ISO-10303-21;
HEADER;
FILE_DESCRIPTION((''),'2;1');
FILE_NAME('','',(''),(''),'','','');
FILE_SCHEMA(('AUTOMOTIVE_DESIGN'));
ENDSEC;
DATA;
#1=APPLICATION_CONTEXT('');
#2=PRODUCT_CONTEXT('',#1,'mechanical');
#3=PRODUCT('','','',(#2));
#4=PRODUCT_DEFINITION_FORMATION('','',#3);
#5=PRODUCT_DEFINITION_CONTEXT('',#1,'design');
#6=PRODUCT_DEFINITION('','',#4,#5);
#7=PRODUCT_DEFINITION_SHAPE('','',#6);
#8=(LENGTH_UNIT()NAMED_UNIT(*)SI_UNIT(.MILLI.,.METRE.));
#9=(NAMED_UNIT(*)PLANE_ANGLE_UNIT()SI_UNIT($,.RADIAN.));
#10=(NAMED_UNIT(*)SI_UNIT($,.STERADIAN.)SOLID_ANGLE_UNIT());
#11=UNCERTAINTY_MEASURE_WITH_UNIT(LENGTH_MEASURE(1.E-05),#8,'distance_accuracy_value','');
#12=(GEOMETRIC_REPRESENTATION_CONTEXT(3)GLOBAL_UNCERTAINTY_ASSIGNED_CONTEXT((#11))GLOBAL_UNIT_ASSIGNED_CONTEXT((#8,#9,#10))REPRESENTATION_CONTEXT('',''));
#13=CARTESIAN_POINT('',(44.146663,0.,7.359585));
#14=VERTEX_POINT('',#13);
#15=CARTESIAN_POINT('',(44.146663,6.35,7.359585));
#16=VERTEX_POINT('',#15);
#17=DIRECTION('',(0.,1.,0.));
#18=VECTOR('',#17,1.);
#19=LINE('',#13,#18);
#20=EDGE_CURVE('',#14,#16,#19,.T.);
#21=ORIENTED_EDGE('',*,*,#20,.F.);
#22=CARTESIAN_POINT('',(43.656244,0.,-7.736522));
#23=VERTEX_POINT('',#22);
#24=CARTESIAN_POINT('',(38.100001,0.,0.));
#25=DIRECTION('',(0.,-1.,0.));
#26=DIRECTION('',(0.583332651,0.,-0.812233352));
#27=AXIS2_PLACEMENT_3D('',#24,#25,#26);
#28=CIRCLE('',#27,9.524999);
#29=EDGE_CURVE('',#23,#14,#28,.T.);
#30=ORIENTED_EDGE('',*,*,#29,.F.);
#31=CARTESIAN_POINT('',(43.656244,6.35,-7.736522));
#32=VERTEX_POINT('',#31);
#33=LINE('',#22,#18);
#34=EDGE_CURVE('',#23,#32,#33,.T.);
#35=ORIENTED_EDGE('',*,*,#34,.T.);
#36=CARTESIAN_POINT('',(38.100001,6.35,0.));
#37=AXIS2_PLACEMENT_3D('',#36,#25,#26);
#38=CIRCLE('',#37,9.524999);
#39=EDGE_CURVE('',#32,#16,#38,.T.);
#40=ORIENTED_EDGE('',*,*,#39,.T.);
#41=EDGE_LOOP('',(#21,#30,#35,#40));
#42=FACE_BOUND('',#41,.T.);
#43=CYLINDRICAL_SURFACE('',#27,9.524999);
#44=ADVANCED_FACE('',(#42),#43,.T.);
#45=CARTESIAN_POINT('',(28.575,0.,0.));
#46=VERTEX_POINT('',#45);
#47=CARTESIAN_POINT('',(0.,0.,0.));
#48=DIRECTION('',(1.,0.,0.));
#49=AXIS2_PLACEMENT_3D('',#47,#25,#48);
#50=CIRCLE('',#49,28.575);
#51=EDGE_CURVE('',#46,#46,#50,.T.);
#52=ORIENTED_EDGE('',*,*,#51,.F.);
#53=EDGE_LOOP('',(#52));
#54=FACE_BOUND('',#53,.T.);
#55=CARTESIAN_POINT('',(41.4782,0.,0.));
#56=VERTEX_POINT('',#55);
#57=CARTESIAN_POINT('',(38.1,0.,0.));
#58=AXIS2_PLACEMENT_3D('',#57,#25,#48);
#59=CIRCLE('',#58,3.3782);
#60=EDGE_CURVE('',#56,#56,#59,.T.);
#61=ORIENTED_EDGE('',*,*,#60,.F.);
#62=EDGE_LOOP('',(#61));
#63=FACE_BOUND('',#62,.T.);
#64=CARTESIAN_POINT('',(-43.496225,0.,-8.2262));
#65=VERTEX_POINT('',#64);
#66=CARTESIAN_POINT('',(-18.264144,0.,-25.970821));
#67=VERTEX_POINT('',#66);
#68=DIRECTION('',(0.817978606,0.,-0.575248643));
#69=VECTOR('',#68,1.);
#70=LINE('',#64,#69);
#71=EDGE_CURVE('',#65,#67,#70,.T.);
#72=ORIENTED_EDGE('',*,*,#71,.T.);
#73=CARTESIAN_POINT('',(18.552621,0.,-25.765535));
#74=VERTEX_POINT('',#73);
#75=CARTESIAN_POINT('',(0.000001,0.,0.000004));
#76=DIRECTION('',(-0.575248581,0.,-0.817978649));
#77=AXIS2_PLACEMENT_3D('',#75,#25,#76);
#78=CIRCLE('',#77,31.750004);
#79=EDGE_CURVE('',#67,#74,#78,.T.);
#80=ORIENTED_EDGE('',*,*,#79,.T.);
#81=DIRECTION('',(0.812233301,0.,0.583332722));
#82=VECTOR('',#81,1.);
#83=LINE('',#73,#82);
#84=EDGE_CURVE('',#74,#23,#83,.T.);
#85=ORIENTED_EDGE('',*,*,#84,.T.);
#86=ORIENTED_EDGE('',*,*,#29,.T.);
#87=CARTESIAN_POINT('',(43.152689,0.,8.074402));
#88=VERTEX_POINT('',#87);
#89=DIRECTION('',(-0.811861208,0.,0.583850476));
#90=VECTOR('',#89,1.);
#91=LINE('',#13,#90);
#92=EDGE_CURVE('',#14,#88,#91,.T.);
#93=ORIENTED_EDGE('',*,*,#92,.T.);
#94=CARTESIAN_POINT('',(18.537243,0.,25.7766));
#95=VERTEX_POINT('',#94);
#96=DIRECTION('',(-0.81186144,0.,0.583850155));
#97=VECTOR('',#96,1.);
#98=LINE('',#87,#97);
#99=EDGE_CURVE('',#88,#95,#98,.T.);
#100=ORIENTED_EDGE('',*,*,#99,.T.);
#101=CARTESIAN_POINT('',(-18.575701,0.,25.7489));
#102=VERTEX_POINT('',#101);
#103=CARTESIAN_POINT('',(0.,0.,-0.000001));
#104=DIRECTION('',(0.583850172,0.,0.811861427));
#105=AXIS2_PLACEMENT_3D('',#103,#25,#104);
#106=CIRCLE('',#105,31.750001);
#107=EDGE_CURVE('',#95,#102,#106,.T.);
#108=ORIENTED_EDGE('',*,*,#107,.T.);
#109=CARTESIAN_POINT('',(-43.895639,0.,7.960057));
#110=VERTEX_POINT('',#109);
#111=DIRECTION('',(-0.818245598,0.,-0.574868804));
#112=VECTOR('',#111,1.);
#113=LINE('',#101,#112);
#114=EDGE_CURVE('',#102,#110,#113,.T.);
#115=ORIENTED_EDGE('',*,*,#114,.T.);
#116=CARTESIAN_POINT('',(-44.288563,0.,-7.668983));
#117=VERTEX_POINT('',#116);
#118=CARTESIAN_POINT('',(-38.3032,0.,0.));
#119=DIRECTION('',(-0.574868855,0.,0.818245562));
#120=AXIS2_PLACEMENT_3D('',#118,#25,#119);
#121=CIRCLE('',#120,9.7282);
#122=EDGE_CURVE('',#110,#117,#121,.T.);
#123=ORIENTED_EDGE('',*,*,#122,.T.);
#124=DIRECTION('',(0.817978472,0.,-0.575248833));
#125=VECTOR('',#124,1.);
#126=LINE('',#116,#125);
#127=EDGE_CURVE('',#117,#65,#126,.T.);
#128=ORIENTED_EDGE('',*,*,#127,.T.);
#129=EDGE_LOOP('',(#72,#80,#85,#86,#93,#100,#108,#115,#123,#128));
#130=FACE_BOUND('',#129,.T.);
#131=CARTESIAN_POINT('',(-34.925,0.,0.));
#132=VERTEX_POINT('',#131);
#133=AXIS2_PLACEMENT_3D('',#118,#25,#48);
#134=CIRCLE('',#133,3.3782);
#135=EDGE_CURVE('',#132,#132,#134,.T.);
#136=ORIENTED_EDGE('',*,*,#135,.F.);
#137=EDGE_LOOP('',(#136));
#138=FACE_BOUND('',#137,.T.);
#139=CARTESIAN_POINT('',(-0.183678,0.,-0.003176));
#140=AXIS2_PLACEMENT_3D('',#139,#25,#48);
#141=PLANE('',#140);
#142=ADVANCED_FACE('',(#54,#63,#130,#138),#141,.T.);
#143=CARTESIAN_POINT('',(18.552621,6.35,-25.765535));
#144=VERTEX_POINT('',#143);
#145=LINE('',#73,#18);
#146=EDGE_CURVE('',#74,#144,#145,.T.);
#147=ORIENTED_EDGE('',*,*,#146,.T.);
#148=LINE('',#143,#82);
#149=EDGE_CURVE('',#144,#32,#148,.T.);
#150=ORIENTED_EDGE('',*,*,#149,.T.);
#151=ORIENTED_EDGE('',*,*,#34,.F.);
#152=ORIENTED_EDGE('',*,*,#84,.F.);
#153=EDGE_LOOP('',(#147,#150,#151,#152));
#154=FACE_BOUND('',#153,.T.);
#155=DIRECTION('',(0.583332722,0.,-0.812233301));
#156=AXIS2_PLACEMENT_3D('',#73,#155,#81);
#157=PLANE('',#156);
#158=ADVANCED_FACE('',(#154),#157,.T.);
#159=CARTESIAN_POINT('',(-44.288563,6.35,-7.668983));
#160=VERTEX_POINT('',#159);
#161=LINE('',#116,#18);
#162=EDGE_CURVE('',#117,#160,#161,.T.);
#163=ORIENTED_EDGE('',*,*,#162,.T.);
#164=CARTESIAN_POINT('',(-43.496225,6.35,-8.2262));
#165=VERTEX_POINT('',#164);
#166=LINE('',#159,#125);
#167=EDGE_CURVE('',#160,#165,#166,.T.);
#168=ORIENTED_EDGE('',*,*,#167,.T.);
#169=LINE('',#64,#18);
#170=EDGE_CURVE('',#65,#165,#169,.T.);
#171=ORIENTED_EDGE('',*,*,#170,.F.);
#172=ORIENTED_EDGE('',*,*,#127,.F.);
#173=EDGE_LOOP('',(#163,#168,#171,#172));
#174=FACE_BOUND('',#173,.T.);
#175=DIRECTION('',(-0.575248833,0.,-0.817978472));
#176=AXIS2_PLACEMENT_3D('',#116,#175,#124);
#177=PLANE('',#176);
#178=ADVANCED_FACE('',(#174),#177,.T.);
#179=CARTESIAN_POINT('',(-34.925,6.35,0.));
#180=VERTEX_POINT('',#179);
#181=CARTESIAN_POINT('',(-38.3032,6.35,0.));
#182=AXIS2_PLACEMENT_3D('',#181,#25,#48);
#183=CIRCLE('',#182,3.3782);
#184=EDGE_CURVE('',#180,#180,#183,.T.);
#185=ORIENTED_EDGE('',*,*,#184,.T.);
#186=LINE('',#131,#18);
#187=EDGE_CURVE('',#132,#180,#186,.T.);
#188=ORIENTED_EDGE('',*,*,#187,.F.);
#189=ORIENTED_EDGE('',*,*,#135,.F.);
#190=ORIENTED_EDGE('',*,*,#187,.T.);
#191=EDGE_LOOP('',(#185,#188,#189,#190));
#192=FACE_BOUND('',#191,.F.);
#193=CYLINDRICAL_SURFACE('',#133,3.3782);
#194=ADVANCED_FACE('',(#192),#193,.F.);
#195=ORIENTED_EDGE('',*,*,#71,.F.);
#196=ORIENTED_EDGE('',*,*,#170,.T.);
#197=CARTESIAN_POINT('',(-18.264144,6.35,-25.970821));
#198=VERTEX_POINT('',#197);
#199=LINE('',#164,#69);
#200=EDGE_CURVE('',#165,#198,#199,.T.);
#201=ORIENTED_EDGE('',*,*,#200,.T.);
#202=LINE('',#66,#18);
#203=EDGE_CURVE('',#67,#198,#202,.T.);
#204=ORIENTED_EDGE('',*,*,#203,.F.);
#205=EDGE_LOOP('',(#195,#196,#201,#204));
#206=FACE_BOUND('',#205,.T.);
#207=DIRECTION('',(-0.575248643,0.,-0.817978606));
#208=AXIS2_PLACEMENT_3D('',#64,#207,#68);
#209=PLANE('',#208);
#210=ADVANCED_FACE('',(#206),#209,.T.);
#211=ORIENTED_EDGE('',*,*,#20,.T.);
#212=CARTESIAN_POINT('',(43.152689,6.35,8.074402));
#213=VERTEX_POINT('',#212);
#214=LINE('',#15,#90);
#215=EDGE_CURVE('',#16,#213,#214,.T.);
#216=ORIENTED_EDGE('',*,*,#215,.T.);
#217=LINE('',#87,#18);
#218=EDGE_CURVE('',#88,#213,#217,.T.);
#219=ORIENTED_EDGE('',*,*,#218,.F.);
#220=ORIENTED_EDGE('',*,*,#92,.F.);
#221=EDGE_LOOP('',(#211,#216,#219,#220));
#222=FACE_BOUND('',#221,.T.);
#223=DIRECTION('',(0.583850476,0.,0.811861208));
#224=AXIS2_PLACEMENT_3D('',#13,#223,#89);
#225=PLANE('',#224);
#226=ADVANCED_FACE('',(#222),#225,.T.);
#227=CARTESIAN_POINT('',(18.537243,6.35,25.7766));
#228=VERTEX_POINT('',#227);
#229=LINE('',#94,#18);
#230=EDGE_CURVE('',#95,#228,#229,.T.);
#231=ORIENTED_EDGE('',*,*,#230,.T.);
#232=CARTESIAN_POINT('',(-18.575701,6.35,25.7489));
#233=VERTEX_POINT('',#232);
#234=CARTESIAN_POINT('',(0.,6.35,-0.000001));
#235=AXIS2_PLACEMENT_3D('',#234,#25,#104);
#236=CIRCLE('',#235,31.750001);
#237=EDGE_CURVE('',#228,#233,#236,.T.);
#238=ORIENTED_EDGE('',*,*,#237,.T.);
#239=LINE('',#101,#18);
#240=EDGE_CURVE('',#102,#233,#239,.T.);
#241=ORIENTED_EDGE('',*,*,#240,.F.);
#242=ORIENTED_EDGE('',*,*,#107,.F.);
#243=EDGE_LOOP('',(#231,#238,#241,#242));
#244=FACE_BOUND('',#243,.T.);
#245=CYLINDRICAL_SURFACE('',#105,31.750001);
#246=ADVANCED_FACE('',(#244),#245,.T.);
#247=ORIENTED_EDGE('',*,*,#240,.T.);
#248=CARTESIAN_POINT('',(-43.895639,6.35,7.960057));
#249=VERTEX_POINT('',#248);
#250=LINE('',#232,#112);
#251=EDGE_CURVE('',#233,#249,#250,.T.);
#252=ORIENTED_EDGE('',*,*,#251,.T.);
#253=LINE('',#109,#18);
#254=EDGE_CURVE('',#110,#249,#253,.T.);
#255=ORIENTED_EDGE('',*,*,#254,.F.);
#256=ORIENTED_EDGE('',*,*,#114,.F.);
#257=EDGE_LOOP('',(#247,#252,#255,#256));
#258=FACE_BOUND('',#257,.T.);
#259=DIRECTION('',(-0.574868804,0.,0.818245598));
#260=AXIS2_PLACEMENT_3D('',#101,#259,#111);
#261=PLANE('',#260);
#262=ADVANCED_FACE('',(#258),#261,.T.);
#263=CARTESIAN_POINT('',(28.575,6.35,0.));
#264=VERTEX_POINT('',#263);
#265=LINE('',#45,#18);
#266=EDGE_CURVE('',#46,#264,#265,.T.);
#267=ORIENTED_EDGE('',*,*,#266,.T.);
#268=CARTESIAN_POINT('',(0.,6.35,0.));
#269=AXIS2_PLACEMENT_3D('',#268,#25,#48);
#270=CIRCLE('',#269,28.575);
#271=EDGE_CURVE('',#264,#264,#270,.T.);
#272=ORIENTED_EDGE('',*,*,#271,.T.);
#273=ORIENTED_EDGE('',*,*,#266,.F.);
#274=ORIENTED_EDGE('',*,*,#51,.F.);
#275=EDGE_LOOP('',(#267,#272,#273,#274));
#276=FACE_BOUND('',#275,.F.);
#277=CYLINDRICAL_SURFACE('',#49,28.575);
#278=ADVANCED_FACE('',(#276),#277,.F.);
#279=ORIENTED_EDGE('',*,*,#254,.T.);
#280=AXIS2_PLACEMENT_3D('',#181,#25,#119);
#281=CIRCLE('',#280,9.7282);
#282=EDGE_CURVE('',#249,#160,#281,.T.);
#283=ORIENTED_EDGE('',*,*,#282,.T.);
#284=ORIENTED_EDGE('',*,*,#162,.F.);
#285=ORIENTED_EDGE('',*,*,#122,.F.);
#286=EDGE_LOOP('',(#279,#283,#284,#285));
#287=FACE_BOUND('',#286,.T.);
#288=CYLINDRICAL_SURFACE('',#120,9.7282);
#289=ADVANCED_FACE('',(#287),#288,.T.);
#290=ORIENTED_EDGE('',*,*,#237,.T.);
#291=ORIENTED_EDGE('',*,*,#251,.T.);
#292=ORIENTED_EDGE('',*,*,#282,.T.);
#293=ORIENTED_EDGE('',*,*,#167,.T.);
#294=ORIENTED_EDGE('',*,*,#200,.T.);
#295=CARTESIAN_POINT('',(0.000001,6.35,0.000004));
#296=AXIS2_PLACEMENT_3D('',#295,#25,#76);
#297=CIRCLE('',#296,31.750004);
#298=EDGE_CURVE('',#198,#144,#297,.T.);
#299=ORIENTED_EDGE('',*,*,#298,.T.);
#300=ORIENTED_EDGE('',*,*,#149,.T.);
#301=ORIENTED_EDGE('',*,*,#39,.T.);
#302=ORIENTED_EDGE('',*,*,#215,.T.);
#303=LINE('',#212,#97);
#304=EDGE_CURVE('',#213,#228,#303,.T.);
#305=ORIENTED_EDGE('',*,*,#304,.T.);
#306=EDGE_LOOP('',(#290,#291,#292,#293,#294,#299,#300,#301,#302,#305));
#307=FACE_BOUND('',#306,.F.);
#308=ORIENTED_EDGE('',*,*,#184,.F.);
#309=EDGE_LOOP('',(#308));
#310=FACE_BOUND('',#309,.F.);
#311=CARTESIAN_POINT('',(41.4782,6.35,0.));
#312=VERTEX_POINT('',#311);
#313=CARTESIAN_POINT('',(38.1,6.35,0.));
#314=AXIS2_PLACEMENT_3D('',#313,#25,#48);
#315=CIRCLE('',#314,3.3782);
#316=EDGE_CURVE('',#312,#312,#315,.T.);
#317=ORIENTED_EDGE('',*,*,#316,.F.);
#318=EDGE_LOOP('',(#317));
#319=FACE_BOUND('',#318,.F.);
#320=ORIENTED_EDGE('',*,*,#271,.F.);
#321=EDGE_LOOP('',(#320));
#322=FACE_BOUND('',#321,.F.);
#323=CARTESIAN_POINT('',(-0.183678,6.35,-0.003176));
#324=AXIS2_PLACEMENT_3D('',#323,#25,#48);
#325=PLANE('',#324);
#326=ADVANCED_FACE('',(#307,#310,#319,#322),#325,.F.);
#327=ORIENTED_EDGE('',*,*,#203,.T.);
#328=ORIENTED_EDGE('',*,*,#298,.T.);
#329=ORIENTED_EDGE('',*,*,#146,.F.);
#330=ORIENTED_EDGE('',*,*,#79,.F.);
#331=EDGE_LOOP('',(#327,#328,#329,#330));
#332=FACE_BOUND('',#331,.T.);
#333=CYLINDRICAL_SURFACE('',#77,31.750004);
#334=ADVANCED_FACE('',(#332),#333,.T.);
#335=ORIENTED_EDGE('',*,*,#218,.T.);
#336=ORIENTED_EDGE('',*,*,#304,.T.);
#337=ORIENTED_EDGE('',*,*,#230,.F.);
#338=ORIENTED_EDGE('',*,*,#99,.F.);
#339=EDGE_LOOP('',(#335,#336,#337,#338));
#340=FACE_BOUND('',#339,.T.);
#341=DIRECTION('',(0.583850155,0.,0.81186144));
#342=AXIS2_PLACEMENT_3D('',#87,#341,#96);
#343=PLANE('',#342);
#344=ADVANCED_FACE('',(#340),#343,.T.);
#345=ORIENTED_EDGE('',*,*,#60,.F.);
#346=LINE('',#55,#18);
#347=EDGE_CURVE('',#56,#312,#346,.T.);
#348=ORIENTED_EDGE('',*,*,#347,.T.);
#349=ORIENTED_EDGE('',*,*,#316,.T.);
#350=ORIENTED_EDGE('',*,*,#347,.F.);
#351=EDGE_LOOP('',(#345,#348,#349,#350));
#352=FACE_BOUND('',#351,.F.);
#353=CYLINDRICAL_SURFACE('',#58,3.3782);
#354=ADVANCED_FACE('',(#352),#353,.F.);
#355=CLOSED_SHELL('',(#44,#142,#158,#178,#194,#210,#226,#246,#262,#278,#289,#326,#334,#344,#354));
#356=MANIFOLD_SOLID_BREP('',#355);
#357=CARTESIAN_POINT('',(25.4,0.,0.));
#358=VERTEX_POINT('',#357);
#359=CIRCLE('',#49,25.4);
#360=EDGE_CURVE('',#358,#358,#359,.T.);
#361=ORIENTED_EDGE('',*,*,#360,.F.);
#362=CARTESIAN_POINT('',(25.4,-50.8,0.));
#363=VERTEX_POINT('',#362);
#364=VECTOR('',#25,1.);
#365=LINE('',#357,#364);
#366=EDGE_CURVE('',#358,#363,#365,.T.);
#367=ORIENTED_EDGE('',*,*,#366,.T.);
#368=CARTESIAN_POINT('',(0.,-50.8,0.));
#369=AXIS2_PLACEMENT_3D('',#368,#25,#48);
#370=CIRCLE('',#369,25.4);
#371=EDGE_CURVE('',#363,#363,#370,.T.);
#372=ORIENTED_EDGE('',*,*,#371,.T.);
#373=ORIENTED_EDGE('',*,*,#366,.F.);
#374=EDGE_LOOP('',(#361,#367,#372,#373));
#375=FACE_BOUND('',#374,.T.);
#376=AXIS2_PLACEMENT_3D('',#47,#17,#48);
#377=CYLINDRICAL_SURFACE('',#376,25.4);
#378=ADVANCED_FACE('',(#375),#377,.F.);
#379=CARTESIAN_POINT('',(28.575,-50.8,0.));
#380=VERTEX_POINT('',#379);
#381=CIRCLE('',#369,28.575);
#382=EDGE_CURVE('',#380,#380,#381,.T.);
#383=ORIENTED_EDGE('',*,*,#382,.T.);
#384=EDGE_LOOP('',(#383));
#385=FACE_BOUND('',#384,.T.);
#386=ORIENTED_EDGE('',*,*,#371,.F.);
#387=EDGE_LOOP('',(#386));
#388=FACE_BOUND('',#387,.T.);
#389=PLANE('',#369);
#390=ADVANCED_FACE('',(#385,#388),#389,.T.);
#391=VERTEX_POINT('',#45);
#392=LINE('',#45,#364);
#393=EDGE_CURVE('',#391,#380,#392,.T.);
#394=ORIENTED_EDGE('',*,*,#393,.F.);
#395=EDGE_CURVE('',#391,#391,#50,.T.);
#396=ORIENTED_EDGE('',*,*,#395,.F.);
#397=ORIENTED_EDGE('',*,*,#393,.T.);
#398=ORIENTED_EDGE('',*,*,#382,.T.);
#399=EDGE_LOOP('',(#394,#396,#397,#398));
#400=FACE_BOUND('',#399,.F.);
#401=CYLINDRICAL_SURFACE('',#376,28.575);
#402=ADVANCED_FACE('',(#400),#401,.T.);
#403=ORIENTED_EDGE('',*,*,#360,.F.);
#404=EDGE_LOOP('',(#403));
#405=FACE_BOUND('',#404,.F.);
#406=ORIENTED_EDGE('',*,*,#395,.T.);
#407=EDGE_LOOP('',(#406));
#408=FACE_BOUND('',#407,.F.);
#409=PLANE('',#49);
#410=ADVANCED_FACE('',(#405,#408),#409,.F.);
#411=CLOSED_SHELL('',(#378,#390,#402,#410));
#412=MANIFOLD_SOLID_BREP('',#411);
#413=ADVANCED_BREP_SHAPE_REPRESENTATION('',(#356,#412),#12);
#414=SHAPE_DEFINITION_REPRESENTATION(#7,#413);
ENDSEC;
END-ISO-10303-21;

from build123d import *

# Parameters (mm, degrees)
F0_R     = 3.3782
F0_R_2   = 28.575
F1_DEPTH = 6.35
F2_R     = 28.575
F2_R_2   = 25.4
F3_DEPTH = 50.8


with BuildPart() as f1:
    # F0 (on Front) → F1 (new body)
    with BuildSketch(Plane.XZ):
        with BuildLine():
            Line((-43.496225, -8.2262), (-18.264144, -25.970821))
            ThreePointArc((-18.264144, -25.970821), (0.177032, -31.749506), (18.552621, -25.765535))
            Line((18.552621, -25.765535), (43.656244, -7.736522))
            ThreePointArc((43.656244, -7.736522), (47.619978, -0.30927), (44.146663, 7.359585))
            Line((44.146663, 7.359585), (43.152689, 8.074402))
            Line((43.152689, 8.074402), (18.537243, 25.7766))
            ThreePointArc((18.537243, 25.7766), (-0.023698, 31.749991), (-18.575701, 25.7489))
            Line((-18.575701, 25.7489), (-43.895639, 7.960057))
            ThreePointArc((-43.895639, 7.960057), (-48.028327, 0.244496), (-44.288563, -7.668983))
            Line((-44.288563, -7.668983), (-43.496225, -8.2262))
        make_face()
        with Locations((-38.3032, 0)):
            Circle(F0_R, mode=Mode.SUBTRACT)
        Circle(F0_R_2, mode=Mode.SUBTRACT)
        with Locations((38.1, 0)):
            Circle(F0_R, mode=Mode.SUBTRACT)
    extrude(amount=-F1_DEPTH)


with BuildPart() as f3:
    # F2 (on Front) → F3 (new body)
    with BuildSketch(Plane.XZ):
        Circle(F2_R)
        Circle(F2_R_2, mode=Mode.SUBTRACT)
    extrude(amount=F3_DEPTH)


solid = Compound([f1.part, f3.part])
